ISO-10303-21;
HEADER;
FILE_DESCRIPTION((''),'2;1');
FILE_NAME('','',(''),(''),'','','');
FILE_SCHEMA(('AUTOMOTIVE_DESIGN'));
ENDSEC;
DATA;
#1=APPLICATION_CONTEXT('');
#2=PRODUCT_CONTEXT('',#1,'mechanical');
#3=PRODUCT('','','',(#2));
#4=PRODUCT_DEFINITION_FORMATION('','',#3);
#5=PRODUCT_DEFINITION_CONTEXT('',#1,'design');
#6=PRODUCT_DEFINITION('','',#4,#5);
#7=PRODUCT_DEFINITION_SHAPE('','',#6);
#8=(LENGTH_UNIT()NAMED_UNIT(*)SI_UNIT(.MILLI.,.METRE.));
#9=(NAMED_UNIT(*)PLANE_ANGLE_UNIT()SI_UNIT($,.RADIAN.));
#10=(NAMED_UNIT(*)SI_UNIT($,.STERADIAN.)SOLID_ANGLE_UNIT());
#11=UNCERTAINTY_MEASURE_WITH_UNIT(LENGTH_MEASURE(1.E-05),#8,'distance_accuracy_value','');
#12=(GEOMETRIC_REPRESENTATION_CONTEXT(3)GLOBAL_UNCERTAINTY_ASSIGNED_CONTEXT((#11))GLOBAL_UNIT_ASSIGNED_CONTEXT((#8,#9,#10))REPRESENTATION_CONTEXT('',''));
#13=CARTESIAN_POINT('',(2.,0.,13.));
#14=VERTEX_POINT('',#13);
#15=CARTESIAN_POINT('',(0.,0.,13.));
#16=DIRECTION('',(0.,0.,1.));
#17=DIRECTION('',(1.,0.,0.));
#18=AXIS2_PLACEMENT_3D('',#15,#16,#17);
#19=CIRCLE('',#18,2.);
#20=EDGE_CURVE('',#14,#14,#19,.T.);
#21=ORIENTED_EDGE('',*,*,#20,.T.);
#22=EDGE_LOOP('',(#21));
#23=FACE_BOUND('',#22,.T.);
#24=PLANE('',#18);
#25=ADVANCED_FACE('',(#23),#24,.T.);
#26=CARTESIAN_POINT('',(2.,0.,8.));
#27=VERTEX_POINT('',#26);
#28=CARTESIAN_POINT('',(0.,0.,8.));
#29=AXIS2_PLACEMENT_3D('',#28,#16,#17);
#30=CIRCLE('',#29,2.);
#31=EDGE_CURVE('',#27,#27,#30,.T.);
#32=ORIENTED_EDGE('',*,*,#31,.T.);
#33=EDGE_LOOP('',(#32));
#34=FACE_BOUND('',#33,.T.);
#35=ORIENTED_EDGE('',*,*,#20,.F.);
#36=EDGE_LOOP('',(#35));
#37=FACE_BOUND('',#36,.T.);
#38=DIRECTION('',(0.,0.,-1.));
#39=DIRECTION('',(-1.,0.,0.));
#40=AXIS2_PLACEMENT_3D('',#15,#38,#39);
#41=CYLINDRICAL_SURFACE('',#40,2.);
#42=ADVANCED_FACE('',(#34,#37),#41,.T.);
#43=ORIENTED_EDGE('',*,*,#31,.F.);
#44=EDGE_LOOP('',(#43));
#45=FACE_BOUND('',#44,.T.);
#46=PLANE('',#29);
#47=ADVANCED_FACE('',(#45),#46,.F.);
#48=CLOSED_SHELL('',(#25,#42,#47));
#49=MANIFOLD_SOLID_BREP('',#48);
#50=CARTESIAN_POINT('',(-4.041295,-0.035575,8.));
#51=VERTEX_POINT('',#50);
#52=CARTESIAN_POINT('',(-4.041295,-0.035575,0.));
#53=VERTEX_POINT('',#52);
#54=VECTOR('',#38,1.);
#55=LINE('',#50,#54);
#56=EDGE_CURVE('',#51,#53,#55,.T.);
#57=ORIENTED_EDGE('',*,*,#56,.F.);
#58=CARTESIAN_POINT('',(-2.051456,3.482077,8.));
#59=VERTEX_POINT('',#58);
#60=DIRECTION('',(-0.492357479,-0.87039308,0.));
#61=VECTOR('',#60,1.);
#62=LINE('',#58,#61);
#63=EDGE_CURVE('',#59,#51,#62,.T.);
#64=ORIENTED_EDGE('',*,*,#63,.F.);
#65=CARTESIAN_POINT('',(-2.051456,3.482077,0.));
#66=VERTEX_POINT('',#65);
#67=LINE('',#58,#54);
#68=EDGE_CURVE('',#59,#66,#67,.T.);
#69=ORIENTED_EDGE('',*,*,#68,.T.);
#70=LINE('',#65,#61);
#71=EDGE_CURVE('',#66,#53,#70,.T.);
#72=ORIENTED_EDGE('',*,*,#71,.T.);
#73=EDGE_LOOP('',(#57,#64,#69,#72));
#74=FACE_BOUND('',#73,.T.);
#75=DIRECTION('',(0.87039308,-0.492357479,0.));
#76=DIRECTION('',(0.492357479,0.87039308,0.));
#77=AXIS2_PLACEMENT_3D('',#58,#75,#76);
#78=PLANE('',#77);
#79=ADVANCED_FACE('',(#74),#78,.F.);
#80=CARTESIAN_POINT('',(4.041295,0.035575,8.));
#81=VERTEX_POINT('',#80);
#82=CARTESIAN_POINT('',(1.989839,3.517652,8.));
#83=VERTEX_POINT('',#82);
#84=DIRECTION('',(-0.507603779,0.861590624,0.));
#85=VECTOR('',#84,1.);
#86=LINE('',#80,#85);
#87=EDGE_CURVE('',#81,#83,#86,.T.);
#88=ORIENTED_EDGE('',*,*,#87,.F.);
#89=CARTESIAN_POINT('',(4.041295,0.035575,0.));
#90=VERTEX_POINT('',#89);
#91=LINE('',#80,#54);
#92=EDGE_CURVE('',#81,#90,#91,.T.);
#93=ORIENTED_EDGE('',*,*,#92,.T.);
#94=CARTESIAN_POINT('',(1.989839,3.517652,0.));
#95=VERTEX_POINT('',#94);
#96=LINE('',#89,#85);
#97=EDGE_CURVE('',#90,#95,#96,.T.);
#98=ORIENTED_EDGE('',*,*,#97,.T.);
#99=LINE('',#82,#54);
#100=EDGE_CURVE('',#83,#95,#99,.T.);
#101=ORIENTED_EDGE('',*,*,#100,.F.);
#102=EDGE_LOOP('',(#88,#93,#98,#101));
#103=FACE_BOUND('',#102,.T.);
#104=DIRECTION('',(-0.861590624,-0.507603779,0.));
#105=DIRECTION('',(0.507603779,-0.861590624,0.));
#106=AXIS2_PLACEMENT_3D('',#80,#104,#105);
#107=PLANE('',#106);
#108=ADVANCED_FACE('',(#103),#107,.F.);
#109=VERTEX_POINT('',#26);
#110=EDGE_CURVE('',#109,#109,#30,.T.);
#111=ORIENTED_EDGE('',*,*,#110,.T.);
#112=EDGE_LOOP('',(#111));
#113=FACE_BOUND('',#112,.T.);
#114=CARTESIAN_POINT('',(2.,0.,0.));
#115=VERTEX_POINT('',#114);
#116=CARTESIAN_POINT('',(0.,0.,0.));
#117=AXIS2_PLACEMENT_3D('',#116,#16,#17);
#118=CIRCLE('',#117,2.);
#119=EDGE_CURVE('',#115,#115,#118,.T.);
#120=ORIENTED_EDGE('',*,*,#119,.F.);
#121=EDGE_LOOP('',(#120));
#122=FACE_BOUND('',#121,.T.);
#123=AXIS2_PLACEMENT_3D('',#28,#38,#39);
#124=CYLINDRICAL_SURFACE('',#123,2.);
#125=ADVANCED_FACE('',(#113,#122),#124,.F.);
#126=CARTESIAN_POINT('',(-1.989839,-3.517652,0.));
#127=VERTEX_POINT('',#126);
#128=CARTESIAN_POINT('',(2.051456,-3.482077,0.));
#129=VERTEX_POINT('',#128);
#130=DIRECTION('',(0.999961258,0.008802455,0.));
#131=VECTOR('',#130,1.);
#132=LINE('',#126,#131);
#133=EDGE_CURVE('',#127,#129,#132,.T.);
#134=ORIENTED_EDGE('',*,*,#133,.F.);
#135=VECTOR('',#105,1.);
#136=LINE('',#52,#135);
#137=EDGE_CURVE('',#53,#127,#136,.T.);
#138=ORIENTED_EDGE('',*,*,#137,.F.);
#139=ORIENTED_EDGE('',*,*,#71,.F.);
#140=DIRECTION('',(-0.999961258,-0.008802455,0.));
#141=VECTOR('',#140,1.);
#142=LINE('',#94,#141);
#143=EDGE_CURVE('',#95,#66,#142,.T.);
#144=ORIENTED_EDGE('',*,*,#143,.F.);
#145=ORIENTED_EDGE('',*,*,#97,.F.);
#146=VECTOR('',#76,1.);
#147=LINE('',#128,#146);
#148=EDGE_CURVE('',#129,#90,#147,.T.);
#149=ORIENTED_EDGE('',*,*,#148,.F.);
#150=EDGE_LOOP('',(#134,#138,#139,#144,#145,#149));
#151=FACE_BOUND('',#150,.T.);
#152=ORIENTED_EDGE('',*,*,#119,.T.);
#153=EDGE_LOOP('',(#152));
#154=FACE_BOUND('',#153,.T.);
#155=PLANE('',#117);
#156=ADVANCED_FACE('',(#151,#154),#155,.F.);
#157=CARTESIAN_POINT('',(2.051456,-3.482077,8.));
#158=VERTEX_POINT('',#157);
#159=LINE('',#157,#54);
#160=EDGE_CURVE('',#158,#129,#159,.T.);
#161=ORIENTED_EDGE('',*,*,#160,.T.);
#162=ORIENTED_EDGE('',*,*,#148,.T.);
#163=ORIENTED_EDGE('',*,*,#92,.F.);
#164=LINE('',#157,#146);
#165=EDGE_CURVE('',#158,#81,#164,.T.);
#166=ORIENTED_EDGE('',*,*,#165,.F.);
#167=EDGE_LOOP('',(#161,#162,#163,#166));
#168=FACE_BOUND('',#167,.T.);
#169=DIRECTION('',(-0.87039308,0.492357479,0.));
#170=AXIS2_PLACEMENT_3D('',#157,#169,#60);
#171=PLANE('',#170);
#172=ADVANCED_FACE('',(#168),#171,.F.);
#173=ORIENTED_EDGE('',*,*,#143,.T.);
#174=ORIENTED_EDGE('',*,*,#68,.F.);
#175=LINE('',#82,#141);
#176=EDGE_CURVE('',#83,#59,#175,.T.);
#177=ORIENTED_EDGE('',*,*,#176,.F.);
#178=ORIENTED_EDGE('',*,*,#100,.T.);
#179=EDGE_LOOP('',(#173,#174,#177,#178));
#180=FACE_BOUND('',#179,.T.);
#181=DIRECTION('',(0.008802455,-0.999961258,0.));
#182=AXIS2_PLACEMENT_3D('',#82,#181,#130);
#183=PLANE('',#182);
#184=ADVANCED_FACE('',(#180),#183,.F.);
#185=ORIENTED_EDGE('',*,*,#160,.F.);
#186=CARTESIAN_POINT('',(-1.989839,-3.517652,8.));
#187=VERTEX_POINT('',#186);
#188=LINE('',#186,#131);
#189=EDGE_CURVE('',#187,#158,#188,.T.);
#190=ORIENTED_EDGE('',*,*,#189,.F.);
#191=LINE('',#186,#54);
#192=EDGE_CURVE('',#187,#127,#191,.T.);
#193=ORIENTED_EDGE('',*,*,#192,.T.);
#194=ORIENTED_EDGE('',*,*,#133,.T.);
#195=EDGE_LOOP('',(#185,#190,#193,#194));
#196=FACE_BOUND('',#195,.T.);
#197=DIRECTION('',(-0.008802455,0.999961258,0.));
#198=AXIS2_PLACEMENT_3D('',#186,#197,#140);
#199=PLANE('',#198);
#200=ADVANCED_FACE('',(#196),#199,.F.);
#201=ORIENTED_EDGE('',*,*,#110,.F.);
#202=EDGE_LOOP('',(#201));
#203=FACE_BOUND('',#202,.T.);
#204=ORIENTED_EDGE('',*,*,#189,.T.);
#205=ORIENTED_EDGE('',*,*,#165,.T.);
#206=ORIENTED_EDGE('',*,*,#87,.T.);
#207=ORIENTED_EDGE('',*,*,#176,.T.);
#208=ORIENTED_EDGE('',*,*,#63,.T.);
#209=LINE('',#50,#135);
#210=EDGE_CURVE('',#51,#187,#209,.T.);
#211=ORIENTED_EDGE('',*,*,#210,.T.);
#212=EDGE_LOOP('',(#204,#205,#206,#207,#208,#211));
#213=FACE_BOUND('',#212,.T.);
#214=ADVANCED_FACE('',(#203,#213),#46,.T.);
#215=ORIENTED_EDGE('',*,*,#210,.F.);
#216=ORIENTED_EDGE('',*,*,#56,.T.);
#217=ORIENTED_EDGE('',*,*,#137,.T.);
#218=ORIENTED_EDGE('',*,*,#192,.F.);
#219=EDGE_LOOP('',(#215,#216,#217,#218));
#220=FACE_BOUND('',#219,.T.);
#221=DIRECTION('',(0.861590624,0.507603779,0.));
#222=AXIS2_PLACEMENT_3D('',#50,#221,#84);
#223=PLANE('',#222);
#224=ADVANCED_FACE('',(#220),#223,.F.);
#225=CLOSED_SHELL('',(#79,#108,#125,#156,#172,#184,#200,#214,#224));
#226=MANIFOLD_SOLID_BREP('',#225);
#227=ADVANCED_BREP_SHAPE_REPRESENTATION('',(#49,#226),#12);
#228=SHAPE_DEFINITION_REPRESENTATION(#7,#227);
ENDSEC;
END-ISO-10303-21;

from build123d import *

# Parameters (mm, degrees)
SKETCH_1_R      = 2
EXTRUDE_1_DEPTH = 8
SKETCH_3_R      = 2
EXTRUDE_2_DEPTH = 5


with BuildPart() as part:
    # 草图1 → 凸台-拉伸1 (new body)
    with BuildSketch(Plane.XY):
        Polygon((2.051456248, -3.482077052), (4.041295309, 0.035574699), (1.989839061, 3.517651751), (-2.051456248, 3.482077052), (-4.041295309, -0.035574699), (-1.989839061, -3.517651751), align=None)
        Circle(SKETCH_1_R, mode=Mode.SUBTRACT)
    extrude(amount=EXTRUDE_1_DEPTH)


with BuildPart() as body_2:
    # 草图3 → 凸台-拉伸2 (new body)
    with BuildSketch(Plane.XY.offset(8)):
        Circle(SKETCH_3_R)
    extrude(amount=EXTRUDE_2_DEPTH)


solid = Compound([part.part, body_2.part])
